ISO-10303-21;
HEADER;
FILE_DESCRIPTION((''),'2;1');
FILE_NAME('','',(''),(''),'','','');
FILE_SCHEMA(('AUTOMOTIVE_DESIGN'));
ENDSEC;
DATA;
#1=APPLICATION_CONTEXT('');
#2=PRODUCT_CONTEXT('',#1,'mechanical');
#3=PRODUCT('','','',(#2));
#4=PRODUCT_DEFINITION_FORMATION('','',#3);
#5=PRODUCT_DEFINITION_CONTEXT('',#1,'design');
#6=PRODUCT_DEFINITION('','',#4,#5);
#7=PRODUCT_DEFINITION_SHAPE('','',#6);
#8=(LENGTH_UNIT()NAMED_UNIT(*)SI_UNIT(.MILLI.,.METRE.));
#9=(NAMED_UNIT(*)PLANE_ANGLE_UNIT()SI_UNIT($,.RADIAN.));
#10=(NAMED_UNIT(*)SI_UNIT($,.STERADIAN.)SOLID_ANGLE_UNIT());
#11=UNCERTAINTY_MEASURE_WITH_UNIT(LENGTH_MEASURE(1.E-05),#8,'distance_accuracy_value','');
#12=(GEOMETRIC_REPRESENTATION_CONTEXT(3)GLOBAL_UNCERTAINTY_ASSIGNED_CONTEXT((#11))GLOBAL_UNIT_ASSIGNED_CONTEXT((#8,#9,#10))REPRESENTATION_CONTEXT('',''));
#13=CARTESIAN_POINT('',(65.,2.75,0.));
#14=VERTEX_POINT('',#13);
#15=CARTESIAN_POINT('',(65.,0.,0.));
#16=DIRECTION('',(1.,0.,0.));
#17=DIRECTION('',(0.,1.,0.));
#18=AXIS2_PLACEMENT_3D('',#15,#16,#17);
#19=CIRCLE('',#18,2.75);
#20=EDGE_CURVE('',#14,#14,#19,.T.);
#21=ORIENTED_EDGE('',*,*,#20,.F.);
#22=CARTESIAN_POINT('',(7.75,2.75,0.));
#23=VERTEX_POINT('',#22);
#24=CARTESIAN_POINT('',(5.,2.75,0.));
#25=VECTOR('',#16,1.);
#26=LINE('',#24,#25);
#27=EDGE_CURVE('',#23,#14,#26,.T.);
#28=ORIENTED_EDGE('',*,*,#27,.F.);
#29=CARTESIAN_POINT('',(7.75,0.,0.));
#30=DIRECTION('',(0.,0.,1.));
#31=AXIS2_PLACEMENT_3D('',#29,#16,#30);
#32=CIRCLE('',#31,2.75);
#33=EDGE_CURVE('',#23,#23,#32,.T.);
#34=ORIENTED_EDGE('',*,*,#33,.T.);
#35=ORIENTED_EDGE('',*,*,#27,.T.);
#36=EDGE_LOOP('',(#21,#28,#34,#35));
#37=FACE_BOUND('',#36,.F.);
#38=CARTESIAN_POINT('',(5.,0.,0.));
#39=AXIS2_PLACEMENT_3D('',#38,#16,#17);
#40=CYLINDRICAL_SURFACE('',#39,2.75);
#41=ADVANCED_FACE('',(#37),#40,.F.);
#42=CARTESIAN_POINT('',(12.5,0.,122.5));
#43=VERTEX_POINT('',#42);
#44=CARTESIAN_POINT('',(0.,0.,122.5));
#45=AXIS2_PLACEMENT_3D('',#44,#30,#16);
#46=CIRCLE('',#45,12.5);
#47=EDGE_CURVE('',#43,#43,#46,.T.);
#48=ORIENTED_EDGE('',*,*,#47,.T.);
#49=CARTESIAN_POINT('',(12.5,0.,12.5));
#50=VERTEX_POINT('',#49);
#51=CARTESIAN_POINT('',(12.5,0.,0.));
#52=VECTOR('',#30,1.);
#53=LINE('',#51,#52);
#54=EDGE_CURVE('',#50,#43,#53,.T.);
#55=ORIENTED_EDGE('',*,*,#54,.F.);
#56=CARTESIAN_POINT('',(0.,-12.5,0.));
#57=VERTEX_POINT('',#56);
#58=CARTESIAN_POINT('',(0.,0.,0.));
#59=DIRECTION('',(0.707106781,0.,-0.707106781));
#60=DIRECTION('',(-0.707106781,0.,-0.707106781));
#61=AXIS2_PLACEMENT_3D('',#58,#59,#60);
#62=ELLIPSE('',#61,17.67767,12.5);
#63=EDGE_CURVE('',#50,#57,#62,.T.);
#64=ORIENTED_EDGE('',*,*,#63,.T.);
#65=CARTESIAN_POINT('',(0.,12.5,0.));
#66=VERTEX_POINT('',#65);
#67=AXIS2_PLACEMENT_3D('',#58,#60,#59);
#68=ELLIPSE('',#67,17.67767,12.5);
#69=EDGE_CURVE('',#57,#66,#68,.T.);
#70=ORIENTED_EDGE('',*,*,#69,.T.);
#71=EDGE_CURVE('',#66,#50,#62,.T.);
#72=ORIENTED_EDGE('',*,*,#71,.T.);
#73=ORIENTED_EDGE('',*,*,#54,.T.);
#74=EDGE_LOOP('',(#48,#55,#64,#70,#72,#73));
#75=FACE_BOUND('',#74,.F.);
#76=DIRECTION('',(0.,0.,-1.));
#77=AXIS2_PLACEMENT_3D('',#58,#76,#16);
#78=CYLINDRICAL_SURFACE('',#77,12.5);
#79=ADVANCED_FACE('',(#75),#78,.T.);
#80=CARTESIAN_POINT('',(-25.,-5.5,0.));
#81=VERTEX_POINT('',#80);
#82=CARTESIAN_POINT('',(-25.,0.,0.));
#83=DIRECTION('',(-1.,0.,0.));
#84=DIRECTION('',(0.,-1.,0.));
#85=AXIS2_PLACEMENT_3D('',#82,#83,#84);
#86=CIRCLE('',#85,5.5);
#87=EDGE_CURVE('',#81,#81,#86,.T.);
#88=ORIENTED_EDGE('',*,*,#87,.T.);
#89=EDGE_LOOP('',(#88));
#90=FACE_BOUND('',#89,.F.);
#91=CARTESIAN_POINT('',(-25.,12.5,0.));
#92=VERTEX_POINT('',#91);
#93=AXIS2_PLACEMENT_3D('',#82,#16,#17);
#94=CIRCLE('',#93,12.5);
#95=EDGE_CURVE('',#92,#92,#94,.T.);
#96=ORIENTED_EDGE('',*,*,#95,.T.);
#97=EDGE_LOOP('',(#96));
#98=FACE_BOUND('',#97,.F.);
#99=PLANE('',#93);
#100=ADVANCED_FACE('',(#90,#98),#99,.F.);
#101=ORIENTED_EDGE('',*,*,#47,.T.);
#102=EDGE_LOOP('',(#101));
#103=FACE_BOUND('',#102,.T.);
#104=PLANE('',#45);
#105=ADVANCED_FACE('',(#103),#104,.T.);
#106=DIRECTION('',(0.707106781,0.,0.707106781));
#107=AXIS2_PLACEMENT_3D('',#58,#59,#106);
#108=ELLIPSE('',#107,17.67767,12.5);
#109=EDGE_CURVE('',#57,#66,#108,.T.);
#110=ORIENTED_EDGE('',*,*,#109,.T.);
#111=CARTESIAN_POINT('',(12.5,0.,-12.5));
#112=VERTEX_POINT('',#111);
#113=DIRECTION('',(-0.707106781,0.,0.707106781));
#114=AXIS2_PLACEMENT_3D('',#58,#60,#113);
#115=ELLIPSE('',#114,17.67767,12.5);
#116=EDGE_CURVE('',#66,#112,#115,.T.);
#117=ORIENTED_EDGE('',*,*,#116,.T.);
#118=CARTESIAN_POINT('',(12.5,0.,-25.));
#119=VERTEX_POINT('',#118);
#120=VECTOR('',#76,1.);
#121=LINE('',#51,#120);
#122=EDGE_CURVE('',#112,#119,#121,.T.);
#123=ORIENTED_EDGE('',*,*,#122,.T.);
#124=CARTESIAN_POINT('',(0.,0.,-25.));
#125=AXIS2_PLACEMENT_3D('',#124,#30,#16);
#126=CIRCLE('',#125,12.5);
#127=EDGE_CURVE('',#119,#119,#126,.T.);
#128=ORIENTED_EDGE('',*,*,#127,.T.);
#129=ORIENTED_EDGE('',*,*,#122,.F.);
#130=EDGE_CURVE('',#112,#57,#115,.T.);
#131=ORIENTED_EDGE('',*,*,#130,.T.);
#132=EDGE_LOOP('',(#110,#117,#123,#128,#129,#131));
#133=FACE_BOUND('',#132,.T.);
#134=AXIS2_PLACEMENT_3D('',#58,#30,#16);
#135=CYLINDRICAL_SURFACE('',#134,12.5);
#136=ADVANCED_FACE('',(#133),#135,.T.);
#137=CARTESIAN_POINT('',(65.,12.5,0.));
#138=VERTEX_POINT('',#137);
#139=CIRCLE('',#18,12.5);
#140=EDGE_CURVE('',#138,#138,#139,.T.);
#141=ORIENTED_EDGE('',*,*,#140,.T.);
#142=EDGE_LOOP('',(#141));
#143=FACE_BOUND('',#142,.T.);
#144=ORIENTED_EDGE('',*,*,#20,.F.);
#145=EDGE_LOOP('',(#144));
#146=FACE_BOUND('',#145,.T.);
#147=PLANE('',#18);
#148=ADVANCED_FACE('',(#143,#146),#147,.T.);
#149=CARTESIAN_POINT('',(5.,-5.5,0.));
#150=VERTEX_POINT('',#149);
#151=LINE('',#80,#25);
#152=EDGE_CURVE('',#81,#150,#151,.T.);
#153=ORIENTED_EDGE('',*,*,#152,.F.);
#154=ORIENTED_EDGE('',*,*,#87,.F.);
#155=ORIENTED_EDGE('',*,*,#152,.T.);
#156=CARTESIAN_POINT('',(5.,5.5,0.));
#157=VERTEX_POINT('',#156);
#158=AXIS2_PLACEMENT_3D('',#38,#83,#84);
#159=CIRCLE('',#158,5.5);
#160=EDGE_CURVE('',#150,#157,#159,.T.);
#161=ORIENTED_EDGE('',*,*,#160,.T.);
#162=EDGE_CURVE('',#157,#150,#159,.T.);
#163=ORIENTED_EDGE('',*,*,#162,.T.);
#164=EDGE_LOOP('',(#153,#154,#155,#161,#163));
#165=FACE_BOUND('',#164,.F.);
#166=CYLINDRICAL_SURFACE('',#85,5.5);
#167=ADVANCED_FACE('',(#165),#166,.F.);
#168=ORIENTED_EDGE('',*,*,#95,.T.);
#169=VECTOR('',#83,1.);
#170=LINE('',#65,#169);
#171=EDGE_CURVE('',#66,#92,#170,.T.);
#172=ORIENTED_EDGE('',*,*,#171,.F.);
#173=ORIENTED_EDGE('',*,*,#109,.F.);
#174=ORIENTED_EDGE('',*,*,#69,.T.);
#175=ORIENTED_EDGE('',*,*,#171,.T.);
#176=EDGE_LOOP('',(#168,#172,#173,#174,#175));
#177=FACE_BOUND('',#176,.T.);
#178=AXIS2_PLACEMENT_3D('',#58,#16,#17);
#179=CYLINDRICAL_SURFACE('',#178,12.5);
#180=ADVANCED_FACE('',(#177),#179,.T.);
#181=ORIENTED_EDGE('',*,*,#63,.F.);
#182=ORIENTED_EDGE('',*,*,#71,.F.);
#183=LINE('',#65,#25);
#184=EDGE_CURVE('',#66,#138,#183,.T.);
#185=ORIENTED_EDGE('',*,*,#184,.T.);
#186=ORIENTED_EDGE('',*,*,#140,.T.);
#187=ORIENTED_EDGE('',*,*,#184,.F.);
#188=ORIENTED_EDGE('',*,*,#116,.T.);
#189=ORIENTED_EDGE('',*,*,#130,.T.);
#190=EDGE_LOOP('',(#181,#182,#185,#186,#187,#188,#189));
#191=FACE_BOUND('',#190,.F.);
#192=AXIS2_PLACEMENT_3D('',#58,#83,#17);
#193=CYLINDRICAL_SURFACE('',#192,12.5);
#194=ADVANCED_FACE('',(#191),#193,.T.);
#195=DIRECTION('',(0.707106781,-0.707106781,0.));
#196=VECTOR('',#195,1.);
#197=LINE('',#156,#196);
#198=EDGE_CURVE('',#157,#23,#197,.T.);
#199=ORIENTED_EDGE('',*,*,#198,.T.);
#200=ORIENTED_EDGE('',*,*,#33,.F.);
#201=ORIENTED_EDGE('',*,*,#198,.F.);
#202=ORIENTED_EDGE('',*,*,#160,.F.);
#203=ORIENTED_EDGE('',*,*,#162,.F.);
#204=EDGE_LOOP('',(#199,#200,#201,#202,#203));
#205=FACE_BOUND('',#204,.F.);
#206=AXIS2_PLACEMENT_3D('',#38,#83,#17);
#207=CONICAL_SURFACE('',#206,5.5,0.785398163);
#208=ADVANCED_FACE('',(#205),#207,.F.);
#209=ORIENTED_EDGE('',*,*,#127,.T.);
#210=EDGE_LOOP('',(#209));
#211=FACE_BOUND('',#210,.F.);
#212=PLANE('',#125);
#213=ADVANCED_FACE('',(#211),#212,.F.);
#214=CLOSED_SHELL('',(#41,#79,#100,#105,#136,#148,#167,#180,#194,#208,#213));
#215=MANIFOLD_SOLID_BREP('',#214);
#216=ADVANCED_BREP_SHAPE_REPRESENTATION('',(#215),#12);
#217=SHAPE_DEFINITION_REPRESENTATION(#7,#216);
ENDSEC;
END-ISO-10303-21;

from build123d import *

# Parameters (mm, degrees)
F0_R           = 12.5
F1_DEPTH       = 122.5
F2_R           = 12.5
F3_DEPTH       = 65
F4_DEPTH       = 25
F5_DEPTH       = 25
F6_R           = 5.5
F7_DEPTH       = 30
F9_D           = 5.5
F9_DEPTH       = 100
F9_CSINK_D     = 11
F9_CSINK_ANGLE = 90


with BuildPart() as f1:
    # F0 (on Top) → F1 (new body)
    with BuildSketch(Plane.XY):
        Circle(F0_R)
    extrude(amount=F1_DEPTH)

    # F2 (on Right) → F3 (join)
    with BuildSketch(Plane.YZ):
        Circle(F2_R)
    extrude(amount=F3_DEPTH)

    # F2 (on Right) → F4 (join)
    with BuildSketch(Plane.YZ):
        Circle(F2_R)
    extrude(amount=-F4_DEPTH)

    # F0 (on Top) → F5 (join)
    with BuildSketch(Plane.XY):
        Circle(F0_R)
    extrude(amount=-F5_DEPTH)

    # F6 (on face) → F7 (cut)
    with BuildSketch(Plane(origin=(-25, 0, 0), x_dir=(0, -1, 0), z_dir=(-1, 0, 0))):
        Circle(F6_R)
    extrude(amount=-F7_DEPTH, mode=Mode.SUBTRACT)

    # F9
    with Locations(Plane(origin=(5, 0, 0), x_dir=(0, -1, 0), z_dir=(-1, 0, 0))):
        with Locations((0, 0)):
            CounterSinkHole(F9_D / 2, F9_CSINK_D / 2, depth=F9_DEPTH, counter_sink_angle=F9_CSINK_ANGLE)


solid = f1.part
